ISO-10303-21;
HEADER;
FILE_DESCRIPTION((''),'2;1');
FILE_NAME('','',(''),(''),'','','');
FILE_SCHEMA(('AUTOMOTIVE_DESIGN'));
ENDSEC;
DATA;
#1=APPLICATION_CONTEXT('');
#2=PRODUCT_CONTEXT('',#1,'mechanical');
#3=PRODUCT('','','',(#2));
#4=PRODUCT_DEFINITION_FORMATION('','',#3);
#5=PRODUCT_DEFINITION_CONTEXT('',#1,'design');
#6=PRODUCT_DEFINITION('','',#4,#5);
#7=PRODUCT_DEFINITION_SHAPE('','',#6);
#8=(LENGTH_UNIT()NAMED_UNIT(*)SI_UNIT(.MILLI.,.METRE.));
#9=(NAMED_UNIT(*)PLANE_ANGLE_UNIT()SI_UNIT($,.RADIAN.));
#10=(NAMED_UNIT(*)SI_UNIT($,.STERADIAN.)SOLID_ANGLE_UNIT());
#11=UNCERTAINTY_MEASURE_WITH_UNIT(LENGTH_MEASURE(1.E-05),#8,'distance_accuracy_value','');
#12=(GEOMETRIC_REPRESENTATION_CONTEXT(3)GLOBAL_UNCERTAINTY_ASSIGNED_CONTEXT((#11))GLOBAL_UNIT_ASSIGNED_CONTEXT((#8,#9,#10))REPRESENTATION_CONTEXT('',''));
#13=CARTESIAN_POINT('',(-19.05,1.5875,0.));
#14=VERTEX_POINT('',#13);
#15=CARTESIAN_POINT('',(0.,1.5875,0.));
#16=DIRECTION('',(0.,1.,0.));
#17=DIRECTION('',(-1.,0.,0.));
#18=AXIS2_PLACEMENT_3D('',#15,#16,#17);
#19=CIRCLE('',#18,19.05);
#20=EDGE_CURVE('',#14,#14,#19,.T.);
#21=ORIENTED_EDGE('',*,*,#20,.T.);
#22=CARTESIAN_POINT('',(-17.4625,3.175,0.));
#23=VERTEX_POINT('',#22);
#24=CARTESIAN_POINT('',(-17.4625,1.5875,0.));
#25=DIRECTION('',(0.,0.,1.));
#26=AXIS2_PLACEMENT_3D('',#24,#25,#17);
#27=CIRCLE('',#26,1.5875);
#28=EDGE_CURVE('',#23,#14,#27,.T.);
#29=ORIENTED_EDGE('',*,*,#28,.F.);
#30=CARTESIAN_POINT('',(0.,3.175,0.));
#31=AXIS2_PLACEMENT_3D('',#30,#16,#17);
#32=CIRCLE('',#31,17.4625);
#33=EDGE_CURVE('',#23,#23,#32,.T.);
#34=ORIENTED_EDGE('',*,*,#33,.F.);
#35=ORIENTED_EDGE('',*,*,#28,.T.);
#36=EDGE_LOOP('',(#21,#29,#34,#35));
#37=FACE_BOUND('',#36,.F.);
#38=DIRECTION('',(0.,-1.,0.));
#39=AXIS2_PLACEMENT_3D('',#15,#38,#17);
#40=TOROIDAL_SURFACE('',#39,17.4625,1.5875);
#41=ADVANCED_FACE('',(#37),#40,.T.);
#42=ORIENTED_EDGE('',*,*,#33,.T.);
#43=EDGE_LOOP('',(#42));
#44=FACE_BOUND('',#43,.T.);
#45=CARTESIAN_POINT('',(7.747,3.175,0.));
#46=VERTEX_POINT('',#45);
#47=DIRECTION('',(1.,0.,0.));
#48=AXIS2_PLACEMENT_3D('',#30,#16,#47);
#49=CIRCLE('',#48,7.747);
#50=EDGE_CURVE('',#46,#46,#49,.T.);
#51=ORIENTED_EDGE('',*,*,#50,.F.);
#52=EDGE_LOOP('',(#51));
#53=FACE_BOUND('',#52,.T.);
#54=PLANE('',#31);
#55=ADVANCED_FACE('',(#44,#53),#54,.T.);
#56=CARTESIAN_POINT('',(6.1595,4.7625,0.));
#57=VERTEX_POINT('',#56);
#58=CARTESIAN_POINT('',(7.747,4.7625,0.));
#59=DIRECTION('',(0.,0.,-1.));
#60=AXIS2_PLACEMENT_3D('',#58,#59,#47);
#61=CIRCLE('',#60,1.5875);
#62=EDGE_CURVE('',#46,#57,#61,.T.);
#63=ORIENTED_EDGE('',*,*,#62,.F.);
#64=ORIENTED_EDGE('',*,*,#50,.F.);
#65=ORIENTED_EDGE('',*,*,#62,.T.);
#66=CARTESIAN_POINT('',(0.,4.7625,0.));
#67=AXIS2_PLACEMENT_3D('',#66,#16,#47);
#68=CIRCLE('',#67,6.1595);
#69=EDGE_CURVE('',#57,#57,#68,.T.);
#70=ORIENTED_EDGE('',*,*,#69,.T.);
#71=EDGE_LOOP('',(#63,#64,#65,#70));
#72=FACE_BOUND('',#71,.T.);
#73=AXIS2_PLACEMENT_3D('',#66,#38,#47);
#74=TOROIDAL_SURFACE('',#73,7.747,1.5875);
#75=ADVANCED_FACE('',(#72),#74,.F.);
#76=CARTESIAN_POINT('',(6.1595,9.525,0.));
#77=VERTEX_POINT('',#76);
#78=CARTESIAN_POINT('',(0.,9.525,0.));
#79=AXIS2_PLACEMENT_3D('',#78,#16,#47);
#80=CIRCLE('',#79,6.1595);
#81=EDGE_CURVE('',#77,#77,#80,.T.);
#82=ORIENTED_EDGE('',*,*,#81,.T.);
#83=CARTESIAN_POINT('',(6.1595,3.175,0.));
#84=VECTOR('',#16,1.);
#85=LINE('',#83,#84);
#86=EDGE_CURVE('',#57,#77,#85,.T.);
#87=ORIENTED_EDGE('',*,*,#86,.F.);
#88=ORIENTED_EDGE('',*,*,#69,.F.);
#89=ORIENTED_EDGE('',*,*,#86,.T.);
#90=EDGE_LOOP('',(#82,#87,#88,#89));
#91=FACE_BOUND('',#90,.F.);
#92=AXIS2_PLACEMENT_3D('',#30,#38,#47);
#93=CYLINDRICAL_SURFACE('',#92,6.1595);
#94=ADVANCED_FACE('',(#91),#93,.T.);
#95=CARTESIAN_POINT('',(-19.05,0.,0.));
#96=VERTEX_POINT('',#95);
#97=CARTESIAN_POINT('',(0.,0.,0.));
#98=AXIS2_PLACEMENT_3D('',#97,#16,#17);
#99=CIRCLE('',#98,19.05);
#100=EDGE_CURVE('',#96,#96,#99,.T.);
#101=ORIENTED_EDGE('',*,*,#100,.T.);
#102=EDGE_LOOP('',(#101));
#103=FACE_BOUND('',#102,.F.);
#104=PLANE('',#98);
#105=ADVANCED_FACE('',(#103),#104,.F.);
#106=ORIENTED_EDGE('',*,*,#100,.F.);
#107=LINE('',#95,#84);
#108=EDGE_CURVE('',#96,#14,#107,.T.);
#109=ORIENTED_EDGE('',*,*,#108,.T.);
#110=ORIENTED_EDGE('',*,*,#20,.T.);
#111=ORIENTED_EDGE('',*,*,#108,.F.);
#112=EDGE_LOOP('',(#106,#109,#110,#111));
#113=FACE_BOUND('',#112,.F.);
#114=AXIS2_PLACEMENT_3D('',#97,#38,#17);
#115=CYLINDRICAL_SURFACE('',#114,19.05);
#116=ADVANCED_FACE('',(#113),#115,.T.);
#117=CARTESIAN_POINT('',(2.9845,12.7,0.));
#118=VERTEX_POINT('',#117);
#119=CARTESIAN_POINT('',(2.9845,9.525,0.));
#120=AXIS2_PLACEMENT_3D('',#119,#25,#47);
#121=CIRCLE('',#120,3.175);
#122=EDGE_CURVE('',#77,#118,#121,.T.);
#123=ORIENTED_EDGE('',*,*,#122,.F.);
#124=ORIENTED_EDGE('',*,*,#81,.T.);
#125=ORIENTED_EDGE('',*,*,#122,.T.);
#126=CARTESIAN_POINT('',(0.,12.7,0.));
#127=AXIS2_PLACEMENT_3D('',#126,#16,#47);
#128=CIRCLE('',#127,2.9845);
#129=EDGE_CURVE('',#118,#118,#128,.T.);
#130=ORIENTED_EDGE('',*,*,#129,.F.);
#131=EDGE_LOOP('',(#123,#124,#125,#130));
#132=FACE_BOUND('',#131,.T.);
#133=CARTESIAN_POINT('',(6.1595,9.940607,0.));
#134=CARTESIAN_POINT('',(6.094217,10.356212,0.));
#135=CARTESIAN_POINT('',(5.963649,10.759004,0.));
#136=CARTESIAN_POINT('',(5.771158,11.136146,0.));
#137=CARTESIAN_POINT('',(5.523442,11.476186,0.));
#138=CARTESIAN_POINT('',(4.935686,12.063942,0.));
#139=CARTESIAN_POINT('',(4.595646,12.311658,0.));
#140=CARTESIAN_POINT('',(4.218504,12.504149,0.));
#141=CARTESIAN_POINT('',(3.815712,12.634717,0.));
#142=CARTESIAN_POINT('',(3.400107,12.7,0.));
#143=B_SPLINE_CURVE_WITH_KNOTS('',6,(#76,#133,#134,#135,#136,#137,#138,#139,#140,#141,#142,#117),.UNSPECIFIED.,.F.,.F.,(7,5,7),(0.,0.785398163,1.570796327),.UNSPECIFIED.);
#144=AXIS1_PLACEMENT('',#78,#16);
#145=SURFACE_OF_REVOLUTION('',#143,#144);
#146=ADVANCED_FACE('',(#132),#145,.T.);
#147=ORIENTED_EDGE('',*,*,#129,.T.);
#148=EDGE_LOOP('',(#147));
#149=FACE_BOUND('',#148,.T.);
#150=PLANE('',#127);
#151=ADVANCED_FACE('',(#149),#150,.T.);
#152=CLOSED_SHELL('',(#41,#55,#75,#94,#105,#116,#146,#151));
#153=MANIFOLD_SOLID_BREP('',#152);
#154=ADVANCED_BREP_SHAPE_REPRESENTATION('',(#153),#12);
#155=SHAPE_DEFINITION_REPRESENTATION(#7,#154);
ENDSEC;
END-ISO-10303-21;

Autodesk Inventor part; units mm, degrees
ref_plane "YZ Plane" through (0, 0, 0) normal (1, 0, 0) x (0, 1, 0)
ref_plane "XZ Plane" through (0, 0, 0) normal (0, 1, 0) x (-1, 0, 0)
ref_plane "XY Plane" through (0, 0, 0) normal (0, 0, 1) x (1, 0, 0)
sketch "Sketch1" plane through (0, 0, 0) normal (0, 1, 0) x (-1, 0, 0)
  circle A0 centre (0, 0) radius 19.05
  dimension "d0" = 38.1
extrude "Extrusion1" add sketch "Sketch1" along normal blind 3.175
sketch "Sketch2" plane through (0, 3.175, 0) normal (0, 1, 0) x (1, 0, 0)
  circle A0 centre (0, 0) radius 6.1595
  dimension "d3" = 12.319
extrude "Extrusion2" add sketch "Sketch2" along normal blind 9.525
fillet "Fillet1" radius 1.5875 1 edges at (-6.1595, 3.175, 0)
fillet "Fillet2" radius 3.175 1 edges at (-6.1595, 12.7, 0)
fillet "Fillet3" radius 1.5875 1 edges at (19.05, 3.175, 0)
properties part number "Feet Cap"
